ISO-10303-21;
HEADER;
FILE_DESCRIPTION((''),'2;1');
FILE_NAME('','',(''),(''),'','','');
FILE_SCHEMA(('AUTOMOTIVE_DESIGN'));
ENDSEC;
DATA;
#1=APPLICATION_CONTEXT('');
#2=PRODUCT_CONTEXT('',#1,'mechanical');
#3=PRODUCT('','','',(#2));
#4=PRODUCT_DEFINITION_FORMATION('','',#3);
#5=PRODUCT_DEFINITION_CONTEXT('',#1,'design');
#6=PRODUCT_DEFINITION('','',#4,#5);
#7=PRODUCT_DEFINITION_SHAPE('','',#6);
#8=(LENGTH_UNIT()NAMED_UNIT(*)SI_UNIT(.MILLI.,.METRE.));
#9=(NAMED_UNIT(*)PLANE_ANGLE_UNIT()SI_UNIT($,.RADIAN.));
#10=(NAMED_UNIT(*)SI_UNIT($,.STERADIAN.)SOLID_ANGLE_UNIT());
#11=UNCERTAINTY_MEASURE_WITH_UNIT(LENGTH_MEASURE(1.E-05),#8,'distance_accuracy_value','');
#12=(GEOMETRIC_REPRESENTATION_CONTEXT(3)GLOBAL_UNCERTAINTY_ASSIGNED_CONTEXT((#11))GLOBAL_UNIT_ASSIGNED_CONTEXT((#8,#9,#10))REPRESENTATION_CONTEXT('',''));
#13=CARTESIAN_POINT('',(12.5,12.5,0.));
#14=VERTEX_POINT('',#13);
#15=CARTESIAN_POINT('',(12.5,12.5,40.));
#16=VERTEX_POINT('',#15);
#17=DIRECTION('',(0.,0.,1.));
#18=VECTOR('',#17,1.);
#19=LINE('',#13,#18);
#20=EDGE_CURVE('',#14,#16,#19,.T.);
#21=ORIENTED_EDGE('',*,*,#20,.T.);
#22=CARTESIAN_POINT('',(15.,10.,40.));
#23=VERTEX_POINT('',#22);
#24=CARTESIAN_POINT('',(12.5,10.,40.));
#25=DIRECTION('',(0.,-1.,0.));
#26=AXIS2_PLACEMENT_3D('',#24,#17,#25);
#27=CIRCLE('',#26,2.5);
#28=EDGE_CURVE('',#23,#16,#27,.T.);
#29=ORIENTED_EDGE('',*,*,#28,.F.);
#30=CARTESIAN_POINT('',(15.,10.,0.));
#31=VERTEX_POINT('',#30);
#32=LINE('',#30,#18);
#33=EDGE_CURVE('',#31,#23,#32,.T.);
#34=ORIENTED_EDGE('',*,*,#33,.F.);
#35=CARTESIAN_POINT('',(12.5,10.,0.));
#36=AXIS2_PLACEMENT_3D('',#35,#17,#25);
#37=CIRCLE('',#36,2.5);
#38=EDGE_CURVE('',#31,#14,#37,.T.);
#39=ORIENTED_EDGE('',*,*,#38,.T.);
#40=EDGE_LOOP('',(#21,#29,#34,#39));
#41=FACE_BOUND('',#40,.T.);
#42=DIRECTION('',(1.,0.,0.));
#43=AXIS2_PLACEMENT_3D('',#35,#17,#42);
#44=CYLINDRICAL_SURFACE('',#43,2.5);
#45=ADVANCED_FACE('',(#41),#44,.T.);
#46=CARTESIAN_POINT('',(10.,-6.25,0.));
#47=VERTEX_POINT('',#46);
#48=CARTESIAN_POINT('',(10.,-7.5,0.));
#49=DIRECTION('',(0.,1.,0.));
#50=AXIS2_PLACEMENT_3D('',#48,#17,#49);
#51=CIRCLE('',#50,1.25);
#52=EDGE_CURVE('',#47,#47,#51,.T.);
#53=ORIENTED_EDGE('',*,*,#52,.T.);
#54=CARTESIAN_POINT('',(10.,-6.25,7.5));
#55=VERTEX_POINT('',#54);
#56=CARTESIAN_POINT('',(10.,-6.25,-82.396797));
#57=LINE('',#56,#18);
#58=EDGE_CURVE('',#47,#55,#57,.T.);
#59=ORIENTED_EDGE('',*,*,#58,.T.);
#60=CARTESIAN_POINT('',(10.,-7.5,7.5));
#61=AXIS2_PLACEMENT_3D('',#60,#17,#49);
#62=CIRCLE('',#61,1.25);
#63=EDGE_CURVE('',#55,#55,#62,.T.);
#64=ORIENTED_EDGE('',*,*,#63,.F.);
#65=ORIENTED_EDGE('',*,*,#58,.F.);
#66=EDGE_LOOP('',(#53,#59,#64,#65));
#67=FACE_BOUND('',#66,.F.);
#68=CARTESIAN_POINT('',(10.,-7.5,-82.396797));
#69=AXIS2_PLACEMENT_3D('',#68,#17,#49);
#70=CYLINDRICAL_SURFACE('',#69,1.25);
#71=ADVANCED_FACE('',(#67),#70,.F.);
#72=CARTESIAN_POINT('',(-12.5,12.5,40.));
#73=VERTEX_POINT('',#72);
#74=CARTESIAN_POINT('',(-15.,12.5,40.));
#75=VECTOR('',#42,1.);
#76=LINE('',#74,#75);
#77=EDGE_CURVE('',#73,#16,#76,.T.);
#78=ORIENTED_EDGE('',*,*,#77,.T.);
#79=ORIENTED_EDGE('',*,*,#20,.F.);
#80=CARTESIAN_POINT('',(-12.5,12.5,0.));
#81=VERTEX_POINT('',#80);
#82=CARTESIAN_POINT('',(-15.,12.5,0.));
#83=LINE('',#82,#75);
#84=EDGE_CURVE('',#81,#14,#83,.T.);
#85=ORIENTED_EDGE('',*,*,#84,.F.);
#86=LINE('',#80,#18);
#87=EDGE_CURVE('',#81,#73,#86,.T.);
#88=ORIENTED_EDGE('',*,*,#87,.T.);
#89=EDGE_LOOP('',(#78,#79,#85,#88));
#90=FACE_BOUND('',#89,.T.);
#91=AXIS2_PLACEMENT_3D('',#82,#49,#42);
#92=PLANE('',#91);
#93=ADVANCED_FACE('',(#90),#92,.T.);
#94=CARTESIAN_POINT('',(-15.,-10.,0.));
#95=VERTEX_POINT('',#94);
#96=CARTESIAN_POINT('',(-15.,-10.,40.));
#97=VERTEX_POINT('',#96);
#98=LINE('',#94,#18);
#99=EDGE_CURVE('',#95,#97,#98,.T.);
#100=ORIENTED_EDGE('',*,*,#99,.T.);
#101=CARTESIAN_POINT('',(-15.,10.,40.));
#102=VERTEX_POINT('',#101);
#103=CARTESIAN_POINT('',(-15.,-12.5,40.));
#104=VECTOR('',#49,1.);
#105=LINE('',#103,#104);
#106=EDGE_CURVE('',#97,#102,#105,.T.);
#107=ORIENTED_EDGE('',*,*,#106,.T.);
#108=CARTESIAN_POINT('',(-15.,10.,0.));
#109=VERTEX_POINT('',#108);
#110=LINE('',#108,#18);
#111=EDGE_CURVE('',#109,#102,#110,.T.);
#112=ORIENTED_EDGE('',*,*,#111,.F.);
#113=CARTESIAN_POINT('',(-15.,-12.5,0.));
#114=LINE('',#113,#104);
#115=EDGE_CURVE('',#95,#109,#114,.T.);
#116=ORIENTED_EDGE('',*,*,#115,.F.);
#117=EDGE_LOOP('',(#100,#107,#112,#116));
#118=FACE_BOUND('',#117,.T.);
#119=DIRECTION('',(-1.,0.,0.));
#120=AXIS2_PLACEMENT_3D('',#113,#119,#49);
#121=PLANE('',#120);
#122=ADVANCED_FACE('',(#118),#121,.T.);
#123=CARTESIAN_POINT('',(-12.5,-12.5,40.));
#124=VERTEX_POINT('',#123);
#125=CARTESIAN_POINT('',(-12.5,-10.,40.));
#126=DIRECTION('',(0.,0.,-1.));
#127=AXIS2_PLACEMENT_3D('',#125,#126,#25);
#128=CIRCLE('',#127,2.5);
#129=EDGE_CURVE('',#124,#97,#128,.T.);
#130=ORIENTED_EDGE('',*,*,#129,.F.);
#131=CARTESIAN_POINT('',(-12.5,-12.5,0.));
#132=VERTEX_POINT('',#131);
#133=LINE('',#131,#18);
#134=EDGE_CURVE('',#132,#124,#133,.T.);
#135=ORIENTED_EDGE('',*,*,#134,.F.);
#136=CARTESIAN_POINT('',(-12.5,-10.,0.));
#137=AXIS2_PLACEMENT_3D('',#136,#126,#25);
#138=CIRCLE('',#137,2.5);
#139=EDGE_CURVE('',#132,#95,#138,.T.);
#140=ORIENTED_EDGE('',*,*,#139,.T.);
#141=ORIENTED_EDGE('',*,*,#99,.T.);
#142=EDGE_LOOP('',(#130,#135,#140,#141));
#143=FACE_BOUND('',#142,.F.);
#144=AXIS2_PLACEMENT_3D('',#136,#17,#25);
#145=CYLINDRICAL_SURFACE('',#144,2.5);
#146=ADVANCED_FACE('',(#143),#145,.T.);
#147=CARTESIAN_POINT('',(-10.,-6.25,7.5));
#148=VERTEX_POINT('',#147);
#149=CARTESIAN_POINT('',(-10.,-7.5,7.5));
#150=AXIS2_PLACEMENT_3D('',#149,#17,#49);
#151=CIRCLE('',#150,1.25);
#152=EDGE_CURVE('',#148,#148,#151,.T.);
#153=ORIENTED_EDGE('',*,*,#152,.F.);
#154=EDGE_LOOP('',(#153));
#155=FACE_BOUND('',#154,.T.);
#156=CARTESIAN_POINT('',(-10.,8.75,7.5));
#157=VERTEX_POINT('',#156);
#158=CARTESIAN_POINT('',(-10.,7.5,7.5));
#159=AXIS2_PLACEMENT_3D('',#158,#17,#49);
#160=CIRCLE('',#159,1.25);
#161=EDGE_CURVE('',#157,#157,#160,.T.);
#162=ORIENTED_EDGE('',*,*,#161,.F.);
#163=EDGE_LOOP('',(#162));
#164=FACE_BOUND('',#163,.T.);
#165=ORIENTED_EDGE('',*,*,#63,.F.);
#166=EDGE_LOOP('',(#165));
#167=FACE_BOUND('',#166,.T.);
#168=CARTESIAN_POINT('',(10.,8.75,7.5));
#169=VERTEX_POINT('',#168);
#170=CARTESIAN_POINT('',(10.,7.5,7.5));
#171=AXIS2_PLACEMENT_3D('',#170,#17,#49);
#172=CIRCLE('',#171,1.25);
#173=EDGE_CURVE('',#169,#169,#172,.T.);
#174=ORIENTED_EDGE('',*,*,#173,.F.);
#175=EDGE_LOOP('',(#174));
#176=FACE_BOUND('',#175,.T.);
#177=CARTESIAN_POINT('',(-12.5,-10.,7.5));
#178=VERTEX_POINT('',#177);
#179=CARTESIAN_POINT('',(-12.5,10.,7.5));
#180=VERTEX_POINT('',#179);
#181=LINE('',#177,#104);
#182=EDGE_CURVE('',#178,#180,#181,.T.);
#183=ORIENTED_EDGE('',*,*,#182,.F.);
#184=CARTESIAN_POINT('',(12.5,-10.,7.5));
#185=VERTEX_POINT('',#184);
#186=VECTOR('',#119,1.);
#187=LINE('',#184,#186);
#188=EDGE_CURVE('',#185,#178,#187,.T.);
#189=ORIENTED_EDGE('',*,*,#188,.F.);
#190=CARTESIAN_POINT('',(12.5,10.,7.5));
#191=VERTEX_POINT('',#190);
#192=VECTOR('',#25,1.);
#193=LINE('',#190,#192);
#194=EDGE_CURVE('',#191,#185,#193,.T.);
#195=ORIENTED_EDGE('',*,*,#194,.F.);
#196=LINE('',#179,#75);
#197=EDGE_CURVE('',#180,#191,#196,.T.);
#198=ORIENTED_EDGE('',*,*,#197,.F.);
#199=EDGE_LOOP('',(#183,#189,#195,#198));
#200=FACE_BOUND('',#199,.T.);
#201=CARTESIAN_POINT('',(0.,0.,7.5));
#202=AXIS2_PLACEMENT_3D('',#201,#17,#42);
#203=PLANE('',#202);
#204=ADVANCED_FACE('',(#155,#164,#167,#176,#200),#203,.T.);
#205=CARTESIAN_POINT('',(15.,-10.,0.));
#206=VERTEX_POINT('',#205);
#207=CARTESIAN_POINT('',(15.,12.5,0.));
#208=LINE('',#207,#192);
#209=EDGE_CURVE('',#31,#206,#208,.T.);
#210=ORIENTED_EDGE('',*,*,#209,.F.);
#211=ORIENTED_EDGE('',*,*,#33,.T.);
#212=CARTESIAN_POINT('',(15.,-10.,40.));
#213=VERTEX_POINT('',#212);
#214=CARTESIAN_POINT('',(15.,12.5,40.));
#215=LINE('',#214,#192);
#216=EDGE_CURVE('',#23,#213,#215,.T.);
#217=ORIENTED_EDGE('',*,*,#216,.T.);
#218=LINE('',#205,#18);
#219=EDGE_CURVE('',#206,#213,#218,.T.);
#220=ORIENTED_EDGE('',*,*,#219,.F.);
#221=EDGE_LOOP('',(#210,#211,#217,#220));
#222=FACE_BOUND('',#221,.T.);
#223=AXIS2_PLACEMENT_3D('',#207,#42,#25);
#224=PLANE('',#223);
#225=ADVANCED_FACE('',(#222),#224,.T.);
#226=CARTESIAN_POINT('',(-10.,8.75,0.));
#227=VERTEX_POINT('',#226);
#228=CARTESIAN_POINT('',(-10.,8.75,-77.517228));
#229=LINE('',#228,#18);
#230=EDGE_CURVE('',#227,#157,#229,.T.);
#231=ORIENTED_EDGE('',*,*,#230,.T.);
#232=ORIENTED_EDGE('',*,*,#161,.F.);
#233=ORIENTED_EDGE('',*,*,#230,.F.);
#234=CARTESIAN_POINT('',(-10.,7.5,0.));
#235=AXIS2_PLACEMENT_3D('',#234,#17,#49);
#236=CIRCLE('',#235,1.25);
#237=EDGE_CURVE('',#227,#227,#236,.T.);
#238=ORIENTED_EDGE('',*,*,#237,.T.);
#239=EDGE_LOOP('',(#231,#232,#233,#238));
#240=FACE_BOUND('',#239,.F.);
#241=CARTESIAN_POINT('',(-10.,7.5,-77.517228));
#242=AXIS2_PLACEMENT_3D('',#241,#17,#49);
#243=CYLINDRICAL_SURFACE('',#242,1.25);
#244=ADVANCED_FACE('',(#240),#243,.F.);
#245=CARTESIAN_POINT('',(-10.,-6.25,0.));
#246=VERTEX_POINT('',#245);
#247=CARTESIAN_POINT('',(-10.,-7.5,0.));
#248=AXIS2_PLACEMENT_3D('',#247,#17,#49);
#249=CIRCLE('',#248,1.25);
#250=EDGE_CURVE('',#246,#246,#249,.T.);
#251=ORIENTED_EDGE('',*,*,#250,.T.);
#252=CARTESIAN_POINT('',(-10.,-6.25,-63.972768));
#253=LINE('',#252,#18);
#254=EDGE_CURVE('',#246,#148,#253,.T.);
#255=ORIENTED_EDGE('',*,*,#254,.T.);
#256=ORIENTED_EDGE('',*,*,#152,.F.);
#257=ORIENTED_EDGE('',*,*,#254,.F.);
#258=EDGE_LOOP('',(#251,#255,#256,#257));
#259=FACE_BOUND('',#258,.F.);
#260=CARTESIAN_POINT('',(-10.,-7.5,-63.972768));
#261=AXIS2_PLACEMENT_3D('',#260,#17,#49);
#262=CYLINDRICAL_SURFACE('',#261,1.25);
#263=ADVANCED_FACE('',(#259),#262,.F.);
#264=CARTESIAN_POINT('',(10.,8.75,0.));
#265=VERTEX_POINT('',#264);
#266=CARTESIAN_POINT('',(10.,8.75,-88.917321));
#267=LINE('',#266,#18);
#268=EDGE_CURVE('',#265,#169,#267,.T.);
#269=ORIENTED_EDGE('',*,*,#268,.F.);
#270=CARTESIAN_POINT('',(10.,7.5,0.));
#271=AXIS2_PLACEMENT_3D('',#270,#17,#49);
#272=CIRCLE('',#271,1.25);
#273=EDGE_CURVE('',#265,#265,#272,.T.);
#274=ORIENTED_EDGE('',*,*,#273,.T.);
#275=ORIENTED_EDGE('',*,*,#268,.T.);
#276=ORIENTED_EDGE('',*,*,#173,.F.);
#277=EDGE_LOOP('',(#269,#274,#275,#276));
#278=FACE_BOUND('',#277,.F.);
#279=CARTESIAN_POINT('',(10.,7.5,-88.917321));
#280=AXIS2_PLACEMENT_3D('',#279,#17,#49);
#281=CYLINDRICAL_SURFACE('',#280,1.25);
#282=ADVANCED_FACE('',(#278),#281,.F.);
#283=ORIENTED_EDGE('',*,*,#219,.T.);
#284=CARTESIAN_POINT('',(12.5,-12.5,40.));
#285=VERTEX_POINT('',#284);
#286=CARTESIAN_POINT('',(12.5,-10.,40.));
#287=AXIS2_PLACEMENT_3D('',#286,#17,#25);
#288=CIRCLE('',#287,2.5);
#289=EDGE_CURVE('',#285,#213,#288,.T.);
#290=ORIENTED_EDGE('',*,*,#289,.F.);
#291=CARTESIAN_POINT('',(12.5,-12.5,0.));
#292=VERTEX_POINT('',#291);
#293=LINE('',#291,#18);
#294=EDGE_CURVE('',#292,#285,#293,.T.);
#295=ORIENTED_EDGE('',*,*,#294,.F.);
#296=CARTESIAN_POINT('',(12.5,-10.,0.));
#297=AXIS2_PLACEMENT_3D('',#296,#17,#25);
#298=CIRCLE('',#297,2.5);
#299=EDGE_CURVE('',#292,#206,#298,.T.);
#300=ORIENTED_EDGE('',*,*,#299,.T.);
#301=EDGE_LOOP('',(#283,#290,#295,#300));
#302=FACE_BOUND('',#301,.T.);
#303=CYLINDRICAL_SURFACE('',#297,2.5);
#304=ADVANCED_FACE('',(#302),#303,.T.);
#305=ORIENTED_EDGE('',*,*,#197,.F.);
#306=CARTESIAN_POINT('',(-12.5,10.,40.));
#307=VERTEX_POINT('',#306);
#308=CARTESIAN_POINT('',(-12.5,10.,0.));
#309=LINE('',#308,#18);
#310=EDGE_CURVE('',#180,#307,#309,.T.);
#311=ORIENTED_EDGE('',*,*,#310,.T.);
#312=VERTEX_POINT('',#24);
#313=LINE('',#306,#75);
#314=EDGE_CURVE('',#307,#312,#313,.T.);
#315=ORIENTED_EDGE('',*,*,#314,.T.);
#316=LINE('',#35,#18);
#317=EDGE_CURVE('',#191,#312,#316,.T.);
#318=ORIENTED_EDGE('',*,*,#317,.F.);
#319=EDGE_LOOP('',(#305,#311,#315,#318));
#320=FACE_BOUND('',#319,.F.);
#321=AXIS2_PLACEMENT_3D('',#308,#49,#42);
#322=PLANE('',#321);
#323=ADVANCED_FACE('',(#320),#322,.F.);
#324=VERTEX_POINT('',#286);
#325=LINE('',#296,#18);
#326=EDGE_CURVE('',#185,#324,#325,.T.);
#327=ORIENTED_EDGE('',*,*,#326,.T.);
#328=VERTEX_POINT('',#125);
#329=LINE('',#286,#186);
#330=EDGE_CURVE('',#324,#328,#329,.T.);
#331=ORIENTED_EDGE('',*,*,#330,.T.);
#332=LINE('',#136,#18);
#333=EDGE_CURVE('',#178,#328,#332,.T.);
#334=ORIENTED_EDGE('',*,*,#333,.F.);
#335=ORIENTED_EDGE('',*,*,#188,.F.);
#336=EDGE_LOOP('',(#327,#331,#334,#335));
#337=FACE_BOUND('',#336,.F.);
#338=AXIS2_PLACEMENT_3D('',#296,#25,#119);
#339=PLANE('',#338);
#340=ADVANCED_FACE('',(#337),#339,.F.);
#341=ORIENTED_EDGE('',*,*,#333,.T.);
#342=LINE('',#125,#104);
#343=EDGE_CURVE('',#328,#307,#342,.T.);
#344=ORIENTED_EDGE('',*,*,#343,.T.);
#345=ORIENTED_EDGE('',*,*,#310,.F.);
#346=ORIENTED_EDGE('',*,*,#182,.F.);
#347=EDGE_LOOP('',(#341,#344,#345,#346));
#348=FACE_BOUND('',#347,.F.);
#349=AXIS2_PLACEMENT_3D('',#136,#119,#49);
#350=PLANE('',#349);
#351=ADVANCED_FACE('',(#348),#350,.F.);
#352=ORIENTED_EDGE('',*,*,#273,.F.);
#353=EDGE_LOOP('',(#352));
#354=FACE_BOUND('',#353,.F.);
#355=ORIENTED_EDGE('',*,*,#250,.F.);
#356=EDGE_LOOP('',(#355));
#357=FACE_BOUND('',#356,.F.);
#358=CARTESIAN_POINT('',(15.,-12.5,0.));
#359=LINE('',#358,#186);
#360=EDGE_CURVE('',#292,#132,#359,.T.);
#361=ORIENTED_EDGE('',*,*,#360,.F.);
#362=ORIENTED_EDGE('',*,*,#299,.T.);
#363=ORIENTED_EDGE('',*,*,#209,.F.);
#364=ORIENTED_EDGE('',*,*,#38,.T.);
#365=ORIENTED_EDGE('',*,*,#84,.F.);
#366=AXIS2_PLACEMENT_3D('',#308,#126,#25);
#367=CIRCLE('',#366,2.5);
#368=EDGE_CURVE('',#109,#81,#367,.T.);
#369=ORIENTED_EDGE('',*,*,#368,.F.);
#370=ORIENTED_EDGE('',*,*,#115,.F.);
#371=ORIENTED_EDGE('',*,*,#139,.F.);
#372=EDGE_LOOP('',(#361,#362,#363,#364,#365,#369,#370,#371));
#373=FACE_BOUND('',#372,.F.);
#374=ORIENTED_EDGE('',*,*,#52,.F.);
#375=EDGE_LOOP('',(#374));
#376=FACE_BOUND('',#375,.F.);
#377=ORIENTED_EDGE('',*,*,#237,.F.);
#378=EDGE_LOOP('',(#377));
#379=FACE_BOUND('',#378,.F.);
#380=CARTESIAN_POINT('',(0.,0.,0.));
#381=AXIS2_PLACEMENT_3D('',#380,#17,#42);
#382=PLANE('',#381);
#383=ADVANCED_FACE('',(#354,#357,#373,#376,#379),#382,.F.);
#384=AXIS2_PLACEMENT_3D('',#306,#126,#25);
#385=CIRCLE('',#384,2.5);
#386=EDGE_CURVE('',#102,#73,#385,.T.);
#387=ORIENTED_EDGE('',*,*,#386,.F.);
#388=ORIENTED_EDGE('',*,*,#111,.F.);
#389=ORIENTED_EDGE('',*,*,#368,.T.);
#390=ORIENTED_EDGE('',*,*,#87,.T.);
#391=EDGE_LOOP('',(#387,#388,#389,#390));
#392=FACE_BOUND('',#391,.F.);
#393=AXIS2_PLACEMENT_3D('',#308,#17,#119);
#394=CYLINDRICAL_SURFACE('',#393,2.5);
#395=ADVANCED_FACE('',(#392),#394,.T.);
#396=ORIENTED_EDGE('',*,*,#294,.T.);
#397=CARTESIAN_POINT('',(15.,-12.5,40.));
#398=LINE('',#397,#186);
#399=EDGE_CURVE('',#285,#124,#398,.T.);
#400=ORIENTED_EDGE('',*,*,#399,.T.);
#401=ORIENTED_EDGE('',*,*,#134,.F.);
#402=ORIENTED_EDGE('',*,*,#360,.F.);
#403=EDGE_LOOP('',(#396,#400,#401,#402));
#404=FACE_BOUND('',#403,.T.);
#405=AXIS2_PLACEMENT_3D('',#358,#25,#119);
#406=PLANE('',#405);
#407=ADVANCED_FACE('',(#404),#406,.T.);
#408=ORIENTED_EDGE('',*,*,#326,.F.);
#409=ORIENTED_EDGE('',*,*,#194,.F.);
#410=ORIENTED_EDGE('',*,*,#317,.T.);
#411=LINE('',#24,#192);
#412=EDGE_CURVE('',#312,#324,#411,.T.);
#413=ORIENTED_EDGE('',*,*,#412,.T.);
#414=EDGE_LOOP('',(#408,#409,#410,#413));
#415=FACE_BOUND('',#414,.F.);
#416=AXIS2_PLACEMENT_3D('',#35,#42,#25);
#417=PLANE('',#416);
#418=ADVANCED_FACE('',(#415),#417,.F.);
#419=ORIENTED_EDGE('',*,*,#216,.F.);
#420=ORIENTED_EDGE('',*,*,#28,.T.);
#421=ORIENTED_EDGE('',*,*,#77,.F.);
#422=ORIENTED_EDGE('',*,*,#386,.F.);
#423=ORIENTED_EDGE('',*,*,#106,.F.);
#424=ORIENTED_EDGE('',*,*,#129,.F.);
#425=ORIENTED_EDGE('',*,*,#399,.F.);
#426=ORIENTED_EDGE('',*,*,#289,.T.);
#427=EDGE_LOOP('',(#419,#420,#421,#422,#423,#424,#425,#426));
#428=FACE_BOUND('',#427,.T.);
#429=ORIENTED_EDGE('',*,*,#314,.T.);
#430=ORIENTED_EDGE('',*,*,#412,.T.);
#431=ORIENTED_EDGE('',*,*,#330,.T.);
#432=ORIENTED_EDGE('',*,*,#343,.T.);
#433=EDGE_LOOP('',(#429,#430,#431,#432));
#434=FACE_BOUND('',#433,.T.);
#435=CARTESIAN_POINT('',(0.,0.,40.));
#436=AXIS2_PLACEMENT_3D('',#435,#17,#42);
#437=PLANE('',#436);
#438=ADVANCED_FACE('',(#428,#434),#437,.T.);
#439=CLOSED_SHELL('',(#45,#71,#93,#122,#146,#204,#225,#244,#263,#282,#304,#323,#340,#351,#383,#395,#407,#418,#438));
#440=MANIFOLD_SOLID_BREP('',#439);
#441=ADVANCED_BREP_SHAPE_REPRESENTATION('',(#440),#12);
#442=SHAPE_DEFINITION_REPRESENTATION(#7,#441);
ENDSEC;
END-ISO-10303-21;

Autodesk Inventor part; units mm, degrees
ref_plane "YZ Plane" through (0, 0, 0) normal (1, 0, 0) x (0, 1, 0)
ref_plane "XZ Plane" through (0, 0, 0) normal (0, 1, 0) x (-1, 0, 0)
ref_plane "XY Plane" through (0, 0, 0) normal (0, 0, 1) x (1, 0, 0)
sketch "Sketch1" plane through (0, 0, 0) normal (0, 0, 1) x (1, 0, 0)
  line L0 (-10, -10) -> (10, -10) construction
  line L1 (10, -10) -> (10, 10) construction
  line L2 (10, 10) -> (-10, 10) construction
  line L3 (-10, 10) -> (-10, -10) construction
  line L4 (-10, -10) -> (10, 10) construction
  line L5 (10, -10) -> (-10, 10) construction
  line L6 (10, -7.5) -> (-10, -7.5) construction
  line L7 (-10, -7.5) -> (-10, 7.5) construction
  line L8 (-10, 7.5) -> (10, 7.5) construction
  line L9 (10, 7.5) -> (10, -7.5) construction
  line L10 (10, -7.5) -> (-10, 7.5) construction
  line L11 (-10, -7.5) -> (10, 7.5) construction
  line L12 (12.5, -10) -> (-12.5, -10)
  line L13 (-12.5, -10) -> (-12.5, 10)
  line L14 (-12.5, 10) -> (12.5, 10)
  line L15 (12.5, 10) -> (12.5, -10)
  line L16 (12.5, -10) -> (-12.5, 10) construction
  line L17 (-12.5, -10) -> (12.5, 10) construction
  line L18 (15, -12.5) -> (-15, -12.5)
  line L19 (-15, -12.5) -> (-15, 12.5)
  line L20 (-15, 12.5) -> (15, 12.5)
  line L21 (15, 12.5) -> (15, -12.5)
  line L22 (15, -12.5) -> (-15, 12.5) construction
  line L23 (-15, -12.5) -> (15, 12.5) construction
  point P0 (0, 0)
  dimension "d0" = 20
  dimension "d1" = 20
  dimension "d2" = 20
  dimension "d3" = 15
  dimension "d4" = 25
  dimension "d5" = 20
  dimension "d6" = 30
  dimension "d7" = 25
extrude "Extrusion1" add sketch "Sketch1" along normal blind 7.5 contours L12 L13 L14 L15
extrude "Extrusion2" add sketch "Sketch1" along normal blind 40
hole "Hole1" at (-10, 7.5, 0) at (10, 7.5, 0) at (10, -7.5, 0) at (-10, -7.5, 0) direction (0, 0, 1) diameter 2.5 end through all both
fillet "Fillet1" radius 2.5 4 edges at (15, 12.5, 20) (-15, 12.5, 20) (15, -12.5, 20) (-15, -12.5, 20)
properties part number "slotcar_adapter"
